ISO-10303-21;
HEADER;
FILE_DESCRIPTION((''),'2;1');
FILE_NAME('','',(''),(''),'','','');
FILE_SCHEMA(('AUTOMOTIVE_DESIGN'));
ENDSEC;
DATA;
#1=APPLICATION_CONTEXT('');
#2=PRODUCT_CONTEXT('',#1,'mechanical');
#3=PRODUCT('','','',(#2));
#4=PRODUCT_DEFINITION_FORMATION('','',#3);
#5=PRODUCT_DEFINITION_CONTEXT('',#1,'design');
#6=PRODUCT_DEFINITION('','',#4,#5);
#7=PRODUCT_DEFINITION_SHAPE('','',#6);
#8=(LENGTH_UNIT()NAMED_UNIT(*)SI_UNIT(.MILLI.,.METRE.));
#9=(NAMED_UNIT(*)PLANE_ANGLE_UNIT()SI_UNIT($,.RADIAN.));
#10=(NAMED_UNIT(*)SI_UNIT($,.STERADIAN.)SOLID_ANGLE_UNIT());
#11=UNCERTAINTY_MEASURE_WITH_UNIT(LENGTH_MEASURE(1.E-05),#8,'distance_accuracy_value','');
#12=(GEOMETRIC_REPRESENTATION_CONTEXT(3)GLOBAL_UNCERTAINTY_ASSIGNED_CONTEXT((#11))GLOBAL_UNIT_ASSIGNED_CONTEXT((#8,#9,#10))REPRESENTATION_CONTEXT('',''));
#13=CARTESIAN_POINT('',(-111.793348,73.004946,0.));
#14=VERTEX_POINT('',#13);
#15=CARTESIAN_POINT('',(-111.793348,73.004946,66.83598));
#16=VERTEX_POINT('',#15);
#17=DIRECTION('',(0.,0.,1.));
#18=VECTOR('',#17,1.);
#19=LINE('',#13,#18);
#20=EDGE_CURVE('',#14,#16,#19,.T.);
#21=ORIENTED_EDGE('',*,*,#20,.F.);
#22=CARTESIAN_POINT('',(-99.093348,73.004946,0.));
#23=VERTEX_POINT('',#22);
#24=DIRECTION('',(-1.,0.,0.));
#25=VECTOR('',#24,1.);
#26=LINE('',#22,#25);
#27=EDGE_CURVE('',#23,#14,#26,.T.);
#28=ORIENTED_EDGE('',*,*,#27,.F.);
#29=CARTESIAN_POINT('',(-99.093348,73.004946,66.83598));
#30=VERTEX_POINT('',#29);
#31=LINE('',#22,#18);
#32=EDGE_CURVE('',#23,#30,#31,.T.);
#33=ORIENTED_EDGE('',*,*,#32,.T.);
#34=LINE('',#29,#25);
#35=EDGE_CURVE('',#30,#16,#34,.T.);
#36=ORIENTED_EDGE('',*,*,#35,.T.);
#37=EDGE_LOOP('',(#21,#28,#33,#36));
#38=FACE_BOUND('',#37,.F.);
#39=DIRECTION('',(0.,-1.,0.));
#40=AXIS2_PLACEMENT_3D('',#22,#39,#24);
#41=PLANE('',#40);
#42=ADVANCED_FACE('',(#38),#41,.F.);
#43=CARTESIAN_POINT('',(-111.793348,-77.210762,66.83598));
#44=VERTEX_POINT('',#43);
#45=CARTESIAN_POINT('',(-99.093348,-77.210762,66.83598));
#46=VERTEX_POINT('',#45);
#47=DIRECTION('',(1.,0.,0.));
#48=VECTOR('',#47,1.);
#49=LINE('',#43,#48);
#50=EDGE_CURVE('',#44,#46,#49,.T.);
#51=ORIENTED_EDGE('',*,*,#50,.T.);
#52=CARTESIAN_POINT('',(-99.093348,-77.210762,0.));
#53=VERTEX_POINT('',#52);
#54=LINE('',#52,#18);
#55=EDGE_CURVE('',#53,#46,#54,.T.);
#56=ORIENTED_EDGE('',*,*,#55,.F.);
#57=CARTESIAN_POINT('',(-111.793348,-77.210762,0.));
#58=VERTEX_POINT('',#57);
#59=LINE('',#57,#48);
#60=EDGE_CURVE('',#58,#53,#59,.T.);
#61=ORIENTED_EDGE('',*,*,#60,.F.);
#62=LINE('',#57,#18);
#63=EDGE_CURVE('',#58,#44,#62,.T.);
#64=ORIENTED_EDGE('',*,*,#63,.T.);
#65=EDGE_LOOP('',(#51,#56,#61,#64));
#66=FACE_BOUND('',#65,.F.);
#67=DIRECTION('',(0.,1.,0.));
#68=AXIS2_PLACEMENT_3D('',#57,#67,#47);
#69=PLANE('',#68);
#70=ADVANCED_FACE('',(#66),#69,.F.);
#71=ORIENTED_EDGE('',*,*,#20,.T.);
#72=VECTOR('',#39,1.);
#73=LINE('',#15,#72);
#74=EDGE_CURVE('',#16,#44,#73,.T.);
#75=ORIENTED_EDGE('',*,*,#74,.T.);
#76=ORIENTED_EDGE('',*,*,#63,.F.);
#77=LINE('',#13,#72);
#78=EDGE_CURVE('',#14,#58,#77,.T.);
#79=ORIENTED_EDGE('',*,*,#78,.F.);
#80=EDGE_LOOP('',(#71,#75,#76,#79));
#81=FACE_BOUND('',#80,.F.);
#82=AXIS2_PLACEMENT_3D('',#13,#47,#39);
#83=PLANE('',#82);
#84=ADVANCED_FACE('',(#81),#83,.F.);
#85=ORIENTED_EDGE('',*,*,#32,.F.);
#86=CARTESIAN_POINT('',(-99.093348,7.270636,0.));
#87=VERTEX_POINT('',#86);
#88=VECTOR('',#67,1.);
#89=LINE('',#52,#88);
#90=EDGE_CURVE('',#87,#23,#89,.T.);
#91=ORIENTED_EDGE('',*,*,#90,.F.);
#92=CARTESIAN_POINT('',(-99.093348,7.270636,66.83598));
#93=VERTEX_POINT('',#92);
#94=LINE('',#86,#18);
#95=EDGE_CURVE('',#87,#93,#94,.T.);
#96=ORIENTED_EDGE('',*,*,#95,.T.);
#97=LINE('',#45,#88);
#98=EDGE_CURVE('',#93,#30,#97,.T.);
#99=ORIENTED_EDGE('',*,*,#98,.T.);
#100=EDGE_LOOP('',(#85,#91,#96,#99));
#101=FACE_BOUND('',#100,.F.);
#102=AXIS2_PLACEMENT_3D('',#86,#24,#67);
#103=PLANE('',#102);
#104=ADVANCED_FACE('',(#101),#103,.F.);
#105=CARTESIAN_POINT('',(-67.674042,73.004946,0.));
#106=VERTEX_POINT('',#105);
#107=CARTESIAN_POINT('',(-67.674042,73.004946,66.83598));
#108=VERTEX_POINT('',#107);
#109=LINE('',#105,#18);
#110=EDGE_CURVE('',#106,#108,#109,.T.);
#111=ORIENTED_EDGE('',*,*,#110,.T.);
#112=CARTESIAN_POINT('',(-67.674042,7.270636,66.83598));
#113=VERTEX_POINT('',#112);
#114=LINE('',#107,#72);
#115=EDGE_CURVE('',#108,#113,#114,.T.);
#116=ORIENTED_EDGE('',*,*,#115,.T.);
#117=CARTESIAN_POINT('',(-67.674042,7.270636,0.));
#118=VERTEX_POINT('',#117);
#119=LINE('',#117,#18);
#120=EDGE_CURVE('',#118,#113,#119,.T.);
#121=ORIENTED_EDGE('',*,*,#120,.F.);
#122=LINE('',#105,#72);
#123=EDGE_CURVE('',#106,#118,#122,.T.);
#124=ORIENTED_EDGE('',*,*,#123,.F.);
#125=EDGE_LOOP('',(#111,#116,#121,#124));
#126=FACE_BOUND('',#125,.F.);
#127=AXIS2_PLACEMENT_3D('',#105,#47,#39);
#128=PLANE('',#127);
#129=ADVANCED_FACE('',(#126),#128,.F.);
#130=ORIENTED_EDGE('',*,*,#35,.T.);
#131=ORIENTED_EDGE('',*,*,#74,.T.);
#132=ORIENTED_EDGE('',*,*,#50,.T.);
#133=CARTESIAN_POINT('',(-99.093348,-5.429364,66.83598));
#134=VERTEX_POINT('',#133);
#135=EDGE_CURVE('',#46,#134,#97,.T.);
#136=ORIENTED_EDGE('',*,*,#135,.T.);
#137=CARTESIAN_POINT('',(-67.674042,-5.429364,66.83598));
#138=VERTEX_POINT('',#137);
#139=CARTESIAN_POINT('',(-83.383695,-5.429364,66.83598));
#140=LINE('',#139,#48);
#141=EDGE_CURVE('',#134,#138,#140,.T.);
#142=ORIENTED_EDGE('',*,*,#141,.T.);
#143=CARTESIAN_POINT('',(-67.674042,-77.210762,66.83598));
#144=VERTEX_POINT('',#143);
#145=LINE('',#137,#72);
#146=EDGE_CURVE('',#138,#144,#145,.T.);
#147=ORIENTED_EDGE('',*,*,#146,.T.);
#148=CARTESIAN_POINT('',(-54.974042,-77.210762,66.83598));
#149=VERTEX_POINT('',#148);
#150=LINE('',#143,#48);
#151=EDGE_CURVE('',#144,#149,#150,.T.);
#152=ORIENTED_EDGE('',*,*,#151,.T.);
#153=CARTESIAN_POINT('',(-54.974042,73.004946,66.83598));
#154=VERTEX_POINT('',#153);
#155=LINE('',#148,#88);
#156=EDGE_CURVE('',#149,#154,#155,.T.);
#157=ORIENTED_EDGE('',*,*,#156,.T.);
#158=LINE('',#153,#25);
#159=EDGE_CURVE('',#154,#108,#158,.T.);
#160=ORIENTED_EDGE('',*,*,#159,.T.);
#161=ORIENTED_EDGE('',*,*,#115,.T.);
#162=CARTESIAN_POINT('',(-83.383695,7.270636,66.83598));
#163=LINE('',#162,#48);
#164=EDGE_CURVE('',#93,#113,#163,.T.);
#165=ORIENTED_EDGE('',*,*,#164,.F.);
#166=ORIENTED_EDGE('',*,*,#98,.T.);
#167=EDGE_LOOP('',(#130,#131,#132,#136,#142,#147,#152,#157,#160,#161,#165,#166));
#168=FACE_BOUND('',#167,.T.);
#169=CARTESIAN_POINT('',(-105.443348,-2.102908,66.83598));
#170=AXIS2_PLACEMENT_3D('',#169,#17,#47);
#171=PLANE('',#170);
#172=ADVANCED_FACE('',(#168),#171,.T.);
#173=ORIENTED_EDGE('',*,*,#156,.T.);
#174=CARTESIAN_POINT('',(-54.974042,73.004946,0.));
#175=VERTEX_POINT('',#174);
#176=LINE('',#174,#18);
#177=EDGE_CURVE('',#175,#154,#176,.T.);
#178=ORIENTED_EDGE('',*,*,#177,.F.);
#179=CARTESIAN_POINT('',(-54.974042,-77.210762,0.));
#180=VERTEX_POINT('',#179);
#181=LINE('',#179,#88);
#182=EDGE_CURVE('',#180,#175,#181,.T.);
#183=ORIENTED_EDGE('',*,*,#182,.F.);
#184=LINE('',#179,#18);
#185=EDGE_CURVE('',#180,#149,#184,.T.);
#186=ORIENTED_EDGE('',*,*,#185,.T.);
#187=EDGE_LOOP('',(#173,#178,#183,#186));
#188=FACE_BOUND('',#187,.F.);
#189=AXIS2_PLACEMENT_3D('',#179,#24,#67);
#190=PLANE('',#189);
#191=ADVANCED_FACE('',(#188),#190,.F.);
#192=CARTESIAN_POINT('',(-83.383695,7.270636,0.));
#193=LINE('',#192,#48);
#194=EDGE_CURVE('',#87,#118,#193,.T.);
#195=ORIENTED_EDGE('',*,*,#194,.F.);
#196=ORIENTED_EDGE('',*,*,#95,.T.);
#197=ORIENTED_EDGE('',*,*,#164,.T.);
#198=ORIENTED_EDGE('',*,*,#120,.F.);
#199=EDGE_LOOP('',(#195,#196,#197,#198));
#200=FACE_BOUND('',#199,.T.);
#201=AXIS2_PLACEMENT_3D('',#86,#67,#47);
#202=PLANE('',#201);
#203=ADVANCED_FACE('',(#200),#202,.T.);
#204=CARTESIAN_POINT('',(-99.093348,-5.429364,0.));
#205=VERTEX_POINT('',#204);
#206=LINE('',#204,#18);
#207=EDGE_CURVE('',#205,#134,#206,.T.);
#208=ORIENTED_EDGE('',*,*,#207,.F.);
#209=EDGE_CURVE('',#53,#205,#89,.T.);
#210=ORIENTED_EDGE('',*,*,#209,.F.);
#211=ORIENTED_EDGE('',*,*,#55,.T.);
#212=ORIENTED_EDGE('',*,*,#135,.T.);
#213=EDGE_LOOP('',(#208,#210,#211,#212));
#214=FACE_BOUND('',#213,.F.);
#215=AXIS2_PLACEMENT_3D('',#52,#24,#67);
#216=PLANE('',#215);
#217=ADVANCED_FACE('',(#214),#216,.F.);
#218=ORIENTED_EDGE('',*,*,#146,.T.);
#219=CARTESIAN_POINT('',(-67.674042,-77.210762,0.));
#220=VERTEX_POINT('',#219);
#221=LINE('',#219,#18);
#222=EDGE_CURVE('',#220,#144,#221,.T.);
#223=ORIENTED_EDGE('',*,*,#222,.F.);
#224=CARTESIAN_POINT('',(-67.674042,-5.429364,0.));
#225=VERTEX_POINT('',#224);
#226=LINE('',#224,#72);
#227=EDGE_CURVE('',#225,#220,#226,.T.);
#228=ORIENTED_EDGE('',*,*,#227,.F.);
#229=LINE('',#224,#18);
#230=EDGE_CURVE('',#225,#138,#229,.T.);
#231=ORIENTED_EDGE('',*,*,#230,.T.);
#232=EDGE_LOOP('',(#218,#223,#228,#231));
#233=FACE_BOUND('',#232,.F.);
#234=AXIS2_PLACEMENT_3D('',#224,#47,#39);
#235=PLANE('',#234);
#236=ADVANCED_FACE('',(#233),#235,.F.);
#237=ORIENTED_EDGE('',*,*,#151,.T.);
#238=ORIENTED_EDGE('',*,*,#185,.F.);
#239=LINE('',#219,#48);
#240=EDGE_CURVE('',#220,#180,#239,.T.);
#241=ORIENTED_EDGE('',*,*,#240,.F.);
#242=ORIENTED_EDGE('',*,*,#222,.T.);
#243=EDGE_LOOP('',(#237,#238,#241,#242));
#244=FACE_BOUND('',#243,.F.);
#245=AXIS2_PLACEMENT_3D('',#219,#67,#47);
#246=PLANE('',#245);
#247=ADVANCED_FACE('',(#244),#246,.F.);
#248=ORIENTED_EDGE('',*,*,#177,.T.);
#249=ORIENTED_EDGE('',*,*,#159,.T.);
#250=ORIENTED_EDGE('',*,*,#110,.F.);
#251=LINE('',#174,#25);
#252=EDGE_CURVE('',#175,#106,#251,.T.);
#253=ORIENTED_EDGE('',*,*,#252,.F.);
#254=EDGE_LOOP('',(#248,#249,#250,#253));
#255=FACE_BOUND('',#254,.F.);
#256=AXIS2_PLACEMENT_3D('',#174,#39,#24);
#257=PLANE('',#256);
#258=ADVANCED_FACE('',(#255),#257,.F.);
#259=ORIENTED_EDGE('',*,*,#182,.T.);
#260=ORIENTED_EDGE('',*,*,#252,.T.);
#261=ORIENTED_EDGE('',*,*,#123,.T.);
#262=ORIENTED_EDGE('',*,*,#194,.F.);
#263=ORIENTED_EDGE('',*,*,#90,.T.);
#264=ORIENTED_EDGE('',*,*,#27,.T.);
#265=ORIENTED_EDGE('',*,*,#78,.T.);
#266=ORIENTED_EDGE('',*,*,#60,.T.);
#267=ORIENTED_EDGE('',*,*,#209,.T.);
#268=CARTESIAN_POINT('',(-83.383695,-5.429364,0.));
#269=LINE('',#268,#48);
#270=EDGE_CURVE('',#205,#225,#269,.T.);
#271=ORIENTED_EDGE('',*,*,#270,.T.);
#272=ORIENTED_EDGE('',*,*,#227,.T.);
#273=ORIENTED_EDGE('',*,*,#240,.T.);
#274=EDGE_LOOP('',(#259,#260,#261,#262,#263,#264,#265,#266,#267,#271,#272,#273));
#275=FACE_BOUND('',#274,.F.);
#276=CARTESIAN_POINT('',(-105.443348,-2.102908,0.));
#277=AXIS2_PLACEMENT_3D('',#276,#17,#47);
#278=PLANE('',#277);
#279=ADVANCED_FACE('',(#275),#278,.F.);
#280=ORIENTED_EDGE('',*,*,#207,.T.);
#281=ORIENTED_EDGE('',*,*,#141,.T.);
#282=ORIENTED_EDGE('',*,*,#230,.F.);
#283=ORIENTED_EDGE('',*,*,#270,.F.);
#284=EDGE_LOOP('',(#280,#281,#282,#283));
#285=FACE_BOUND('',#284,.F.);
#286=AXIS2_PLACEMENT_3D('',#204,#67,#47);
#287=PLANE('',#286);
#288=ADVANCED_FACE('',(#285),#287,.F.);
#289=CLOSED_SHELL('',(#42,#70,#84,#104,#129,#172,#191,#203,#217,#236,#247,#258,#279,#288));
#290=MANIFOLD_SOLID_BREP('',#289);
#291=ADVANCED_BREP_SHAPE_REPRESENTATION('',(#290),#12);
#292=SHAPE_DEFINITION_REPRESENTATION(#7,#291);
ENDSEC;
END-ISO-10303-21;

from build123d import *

# Parameters (mm, degrees)
F0_W     = 31.419306
F0_H     = 12.7
F1_DEPTH = 66.83598


with BuildPart() as f1:
    # F0 (on Top) → F1 (new body)
    with BuildSketch(Plane.XY):
        Polygon((-99.093348, 73.004946), (-111.793348, 73.004946), (-111.793348, -77.210762), (-99.093348, -77.210762), (-99.093348, -5.429364), (-99.093348, 7.270636), align=None)
        with Locations((-83.383695, 0.920636)):
            Rectangle(F0_W, F0_H)
        Polygon((-67.674042, 73.004946), (-67.674042, 7.270636), (-67.674042, -5.429364), (-67.674042, -77.210762), (-54.974042, -77.210762), (-54.974042, 73.004946), align=None)
    extrude(amount=F1_DEPTH)


solid = f1.part
